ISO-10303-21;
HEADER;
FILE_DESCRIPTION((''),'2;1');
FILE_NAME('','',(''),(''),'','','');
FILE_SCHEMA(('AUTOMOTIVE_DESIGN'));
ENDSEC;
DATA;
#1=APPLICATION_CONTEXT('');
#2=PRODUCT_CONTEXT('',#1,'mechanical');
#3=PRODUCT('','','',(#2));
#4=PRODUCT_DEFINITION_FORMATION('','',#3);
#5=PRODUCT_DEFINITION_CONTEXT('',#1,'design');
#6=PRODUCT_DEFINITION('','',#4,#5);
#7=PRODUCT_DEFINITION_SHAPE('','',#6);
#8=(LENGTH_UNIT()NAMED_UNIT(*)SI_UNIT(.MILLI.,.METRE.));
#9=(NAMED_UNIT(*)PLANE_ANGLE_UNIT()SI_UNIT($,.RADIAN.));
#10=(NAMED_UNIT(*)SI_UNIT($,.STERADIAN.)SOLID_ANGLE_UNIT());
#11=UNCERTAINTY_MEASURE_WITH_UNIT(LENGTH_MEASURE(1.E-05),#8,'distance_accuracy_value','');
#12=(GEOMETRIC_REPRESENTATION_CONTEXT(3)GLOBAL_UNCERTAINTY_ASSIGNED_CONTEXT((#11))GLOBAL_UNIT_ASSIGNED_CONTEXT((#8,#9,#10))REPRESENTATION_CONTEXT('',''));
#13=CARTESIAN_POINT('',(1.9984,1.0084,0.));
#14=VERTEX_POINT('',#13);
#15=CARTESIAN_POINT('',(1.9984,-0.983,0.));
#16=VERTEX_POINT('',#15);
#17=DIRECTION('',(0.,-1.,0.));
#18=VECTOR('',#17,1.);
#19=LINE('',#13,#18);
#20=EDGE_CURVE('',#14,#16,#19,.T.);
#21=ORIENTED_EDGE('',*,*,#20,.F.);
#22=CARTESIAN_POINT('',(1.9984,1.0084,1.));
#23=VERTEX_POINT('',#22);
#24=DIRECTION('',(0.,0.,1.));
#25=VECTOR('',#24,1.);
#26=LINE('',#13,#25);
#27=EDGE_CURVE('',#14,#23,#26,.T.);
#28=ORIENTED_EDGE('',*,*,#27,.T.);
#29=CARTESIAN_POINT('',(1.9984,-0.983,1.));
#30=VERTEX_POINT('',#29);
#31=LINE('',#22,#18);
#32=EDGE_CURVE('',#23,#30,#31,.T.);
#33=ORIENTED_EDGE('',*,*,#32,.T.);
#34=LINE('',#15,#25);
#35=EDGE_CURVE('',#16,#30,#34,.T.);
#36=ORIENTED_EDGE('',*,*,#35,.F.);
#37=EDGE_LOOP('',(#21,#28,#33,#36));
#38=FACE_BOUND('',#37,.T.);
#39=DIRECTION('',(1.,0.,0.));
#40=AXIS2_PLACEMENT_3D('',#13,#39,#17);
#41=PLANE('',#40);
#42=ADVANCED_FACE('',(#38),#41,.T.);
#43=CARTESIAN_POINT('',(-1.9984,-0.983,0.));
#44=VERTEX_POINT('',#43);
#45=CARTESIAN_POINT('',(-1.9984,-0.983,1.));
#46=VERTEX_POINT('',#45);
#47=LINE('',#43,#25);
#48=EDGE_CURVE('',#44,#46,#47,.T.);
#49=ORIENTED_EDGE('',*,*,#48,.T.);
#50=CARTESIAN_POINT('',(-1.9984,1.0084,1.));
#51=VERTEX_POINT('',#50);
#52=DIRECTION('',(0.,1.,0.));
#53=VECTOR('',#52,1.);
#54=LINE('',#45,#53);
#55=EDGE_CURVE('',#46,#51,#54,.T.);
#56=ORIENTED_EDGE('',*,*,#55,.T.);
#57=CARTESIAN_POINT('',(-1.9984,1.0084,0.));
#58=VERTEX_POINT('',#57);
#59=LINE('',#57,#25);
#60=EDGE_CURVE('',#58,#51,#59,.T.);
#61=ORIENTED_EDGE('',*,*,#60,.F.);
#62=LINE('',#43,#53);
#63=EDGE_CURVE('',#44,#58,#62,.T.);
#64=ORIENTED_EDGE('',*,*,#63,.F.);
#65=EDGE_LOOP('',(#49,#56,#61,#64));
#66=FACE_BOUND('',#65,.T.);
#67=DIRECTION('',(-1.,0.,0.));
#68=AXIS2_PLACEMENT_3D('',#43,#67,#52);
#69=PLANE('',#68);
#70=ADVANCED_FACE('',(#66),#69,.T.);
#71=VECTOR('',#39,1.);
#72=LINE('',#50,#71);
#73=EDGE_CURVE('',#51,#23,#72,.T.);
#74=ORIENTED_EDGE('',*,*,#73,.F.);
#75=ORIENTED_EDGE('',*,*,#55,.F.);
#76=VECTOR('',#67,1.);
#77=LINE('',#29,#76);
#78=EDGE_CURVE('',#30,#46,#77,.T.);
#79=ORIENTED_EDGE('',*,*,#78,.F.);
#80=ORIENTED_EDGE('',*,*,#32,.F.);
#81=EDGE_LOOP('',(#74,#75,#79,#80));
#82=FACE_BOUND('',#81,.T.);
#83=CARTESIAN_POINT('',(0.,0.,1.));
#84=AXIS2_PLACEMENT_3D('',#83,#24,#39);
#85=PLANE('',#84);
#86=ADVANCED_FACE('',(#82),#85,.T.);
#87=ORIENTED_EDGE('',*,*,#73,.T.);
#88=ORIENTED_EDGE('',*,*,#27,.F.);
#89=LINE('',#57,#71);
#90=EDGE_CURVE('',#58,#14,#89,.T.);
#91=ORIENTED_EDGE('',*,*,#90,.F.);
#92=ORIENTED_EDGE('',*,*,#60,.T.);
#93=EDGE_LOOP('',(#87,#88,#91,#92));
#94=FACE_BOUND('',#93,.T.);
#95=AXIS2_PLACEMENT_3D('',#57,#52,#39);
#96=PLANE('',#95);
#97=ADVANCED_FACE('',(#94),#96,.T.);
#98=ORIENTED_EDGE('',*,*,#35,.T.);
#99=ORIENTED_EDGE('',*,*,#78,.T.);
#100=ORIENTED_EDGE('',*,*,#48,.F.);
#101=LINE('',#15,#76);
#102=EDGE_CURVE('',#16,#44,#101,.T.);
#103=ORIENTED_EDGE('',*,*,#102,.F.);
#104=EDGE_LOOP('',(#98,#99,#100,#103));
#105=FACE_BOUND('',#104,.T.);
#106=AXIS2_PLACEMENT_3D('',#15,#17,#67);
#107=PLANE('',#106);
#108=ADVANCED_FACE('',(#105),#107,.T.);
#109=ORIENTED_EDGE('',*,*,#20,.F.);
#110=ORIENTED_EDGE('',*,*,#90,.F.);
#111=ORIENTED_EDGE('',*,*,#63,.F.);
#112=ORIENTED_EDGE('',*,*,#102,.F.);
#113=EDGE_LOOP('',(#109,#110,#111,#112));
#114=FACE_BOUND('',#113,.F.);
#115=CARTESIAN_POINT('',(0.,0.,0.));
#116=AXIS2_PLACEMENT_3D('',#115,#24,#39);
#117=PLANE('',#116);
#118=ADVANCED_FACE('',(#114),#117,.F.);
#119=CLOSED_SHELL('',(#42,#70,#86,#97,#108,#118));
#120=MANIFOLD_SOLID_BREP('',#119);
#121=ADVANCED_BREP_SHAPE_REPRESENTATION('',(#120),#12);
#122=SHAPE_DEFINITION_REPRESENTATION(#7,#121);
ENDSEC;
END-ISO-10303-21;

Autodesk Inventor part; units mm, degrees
ref_plane "YZ Plane" through (0, 0, 0) normal (1, 0, 0) x (0, 1, 0)
ref_plane "XZ Plane" through (0, 0, 0) normal (0, 1, 0) x (-1, 0, 0)
ref_plane "XY Plane" through (0, 0, 0) normal (0, 0, 1) x (1, 0, 0)
sketch "M0805, M0805_1" plane through (0, 0, 0) normal (0, 0, 1) x (1, 0, 0)
  line L0 (-1.9984, 1.0084) -> (1.9984, 1.0084)
  line L1 (1.9984, 1.0084) -> (1.9984, -0.983)
  line L2 (1.9984, -0.983) -> (-1.9984, -0.983)
  line L3 (-1.9984, -0.983) -> (-1.9984, 1.0084)
extrude "Выдавливание1" add sketch "M0805, M0805_1" along normal blind 1
properties part number "M0805"
